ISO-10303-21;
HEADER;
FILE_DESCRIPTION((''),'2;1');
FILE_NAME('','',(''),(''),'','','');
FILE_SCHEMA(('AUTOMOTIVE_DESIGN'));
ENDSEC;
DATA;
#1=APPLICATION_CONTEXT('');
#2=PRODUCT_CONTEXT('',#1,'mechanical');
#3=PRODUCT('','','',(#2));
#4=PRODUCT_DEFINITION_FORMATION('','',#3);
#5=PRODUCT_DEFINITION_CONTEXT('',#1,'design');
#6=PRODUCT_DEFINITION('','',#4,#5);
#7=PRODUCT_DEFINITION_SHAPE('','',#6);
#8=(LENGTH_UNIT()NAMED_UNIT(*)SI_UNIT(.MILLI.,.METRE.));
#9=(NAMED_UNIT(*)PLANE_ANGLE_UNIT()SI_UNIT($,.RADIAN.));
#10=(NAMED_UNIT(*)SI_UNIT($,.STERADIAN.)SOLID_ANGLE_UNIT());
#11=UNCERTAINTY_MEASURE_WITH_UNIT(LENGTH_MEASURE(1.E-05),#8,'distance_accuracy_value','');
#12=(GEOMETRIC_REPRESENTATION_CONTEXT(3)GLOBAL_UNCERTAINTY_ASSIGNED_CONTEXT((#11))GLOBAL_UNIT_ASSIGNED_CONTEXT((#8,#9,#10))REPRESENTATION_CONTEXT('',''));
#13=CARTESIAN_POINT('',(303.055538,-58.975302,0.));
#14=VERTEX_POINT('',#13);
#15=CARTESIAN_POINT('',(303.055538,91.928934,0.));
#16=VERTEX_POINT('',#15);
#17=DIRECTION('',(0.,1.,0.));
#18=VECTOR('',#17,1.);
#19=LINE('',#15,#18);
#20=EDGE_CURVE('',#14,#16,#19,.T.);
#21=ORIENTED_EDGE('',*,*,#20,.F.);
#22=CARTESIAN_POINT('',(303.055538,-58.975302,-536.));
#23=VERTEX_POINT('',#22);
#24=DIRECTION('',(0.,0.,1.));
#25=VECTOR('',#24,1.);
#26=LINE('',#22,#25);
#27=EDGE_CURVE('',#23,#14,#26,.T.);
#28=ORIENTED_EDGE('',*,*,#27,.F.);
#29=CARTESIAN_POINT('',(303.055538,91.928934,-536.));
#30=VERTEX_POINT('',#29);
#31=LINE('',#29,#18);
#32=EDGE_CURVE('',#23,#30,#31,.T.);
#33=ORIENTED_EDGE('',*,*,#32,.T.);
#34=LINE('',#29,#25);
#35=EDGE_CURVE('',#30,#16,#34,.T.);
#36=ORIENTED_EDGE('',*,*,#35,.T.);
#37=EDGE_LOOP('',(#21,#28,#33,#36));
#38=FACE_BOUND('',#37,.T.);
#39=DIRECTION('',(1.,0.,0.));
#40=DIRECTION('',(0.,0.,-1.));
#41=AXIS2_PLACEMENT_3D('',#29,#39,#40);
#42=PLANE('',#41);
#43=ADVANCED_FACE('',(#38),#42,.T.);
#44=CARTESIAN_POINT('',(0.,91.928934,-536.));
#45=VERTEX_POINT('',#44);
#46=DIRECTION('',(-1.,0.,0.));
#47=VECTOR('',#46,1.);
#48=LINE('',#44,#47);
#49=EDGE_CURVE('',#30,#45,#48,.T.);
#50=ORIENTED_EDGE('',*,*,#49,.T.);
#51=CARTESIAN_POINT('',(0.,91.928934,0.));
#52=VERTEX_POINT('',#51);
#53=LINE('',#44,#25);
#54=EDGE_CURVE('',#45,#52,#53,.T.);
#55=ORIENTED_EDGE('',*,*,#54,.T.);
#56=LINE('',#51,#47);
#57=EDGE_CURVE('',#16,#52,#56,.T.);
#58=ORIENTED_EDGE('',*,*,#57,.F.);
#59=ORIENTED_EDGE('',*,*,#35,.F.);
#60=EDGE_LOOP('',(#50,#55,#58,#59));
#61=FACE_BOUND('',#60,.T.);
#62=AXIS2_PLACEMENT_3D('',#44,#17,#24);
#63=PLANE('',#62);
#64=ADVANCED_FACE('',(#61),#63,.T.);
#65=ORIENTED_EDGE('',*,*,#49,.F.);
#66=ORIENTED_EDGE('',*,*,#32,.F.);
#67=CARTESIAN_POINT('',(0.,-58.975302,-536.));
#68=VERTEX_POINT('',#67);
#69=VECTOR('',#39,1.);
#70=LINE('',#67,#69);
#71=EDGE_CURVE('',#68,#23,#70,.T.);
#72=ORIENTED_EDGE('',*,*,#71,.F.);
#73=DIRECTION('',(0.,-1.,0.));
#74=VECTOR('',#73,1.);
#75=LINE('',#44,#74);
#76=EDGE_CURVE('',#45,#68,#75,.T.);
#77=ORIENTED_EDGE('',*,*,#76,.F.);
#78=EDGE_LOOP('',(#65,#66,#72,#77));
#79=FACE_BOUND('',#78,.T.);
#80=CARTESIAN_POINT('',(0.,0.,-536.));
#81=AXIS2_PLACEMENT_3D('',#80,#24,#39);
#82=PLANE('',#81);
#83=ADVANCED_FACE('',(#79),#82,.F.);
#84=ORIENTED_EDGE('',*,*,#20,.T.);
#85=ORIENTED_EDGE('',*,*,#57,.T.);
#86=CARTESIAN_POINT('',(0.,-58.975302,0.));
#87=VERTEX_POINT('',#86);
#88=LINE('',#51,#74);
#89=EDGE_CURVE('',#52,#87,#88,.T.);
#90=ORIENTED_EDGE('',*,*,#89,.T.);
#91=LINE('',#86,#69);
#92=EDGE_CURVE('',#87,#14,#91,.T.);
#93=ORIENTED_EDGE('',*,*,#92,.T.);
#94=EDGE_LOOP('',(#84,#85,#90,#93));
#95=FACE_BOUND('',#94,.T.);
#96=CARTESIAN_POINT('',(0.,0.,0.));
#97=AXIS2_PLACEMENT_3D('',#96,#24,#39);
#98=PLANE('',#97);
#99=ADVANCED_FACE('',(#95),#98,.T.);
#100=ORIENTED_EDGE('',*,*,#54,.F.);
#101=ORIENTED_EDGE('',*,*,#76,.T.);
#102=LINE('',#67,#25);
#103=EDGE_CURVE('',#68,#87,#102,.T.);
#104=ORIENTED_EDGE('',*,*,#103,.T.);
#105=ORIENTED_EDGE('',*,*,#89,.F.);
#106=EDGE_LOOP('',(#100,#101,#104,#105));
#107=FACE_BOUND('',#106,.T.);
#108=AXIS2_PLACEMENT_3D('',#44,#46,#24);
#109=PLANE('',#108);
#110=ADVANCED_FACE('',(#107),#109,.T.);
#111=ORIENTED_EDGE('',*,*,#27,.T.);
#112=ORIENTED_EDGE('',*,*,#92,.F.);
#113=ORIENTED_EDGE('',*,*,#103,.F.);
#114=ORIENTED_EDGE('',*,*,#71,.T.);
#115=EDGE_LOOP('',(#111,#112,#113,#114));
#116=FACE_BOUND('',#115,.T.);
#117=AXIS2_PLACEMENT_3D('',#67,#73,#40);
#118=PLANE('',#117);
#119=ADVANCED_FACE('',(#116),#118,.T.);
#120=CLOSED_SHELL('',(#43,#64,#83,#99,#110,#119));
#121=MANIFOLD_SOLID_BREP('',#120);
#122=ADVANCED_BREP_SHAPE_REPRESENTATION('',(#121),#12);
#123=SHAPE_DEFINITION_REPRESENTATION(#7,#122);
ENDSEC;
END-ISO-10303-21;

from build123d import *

# Parameters (mm, degrees)
SKETCH2_W           = 303.055537772
SKETCH2_H           = 150.904236078
BOSS_EXTRUDE1_DEPTH = 536


with BuildPart() as part:
    # Sketch2 → Boss-Extrude1 (new body)
    with BuildSketch(Plane.XY):
        with Locations((151.527768886, 16.476815692)):
            Rectangle(SKETCH2_W, SKETCH2_H)
    extrude(amount=-BOSS_EXTRUDE1_DEPTH)


solid = part.part
